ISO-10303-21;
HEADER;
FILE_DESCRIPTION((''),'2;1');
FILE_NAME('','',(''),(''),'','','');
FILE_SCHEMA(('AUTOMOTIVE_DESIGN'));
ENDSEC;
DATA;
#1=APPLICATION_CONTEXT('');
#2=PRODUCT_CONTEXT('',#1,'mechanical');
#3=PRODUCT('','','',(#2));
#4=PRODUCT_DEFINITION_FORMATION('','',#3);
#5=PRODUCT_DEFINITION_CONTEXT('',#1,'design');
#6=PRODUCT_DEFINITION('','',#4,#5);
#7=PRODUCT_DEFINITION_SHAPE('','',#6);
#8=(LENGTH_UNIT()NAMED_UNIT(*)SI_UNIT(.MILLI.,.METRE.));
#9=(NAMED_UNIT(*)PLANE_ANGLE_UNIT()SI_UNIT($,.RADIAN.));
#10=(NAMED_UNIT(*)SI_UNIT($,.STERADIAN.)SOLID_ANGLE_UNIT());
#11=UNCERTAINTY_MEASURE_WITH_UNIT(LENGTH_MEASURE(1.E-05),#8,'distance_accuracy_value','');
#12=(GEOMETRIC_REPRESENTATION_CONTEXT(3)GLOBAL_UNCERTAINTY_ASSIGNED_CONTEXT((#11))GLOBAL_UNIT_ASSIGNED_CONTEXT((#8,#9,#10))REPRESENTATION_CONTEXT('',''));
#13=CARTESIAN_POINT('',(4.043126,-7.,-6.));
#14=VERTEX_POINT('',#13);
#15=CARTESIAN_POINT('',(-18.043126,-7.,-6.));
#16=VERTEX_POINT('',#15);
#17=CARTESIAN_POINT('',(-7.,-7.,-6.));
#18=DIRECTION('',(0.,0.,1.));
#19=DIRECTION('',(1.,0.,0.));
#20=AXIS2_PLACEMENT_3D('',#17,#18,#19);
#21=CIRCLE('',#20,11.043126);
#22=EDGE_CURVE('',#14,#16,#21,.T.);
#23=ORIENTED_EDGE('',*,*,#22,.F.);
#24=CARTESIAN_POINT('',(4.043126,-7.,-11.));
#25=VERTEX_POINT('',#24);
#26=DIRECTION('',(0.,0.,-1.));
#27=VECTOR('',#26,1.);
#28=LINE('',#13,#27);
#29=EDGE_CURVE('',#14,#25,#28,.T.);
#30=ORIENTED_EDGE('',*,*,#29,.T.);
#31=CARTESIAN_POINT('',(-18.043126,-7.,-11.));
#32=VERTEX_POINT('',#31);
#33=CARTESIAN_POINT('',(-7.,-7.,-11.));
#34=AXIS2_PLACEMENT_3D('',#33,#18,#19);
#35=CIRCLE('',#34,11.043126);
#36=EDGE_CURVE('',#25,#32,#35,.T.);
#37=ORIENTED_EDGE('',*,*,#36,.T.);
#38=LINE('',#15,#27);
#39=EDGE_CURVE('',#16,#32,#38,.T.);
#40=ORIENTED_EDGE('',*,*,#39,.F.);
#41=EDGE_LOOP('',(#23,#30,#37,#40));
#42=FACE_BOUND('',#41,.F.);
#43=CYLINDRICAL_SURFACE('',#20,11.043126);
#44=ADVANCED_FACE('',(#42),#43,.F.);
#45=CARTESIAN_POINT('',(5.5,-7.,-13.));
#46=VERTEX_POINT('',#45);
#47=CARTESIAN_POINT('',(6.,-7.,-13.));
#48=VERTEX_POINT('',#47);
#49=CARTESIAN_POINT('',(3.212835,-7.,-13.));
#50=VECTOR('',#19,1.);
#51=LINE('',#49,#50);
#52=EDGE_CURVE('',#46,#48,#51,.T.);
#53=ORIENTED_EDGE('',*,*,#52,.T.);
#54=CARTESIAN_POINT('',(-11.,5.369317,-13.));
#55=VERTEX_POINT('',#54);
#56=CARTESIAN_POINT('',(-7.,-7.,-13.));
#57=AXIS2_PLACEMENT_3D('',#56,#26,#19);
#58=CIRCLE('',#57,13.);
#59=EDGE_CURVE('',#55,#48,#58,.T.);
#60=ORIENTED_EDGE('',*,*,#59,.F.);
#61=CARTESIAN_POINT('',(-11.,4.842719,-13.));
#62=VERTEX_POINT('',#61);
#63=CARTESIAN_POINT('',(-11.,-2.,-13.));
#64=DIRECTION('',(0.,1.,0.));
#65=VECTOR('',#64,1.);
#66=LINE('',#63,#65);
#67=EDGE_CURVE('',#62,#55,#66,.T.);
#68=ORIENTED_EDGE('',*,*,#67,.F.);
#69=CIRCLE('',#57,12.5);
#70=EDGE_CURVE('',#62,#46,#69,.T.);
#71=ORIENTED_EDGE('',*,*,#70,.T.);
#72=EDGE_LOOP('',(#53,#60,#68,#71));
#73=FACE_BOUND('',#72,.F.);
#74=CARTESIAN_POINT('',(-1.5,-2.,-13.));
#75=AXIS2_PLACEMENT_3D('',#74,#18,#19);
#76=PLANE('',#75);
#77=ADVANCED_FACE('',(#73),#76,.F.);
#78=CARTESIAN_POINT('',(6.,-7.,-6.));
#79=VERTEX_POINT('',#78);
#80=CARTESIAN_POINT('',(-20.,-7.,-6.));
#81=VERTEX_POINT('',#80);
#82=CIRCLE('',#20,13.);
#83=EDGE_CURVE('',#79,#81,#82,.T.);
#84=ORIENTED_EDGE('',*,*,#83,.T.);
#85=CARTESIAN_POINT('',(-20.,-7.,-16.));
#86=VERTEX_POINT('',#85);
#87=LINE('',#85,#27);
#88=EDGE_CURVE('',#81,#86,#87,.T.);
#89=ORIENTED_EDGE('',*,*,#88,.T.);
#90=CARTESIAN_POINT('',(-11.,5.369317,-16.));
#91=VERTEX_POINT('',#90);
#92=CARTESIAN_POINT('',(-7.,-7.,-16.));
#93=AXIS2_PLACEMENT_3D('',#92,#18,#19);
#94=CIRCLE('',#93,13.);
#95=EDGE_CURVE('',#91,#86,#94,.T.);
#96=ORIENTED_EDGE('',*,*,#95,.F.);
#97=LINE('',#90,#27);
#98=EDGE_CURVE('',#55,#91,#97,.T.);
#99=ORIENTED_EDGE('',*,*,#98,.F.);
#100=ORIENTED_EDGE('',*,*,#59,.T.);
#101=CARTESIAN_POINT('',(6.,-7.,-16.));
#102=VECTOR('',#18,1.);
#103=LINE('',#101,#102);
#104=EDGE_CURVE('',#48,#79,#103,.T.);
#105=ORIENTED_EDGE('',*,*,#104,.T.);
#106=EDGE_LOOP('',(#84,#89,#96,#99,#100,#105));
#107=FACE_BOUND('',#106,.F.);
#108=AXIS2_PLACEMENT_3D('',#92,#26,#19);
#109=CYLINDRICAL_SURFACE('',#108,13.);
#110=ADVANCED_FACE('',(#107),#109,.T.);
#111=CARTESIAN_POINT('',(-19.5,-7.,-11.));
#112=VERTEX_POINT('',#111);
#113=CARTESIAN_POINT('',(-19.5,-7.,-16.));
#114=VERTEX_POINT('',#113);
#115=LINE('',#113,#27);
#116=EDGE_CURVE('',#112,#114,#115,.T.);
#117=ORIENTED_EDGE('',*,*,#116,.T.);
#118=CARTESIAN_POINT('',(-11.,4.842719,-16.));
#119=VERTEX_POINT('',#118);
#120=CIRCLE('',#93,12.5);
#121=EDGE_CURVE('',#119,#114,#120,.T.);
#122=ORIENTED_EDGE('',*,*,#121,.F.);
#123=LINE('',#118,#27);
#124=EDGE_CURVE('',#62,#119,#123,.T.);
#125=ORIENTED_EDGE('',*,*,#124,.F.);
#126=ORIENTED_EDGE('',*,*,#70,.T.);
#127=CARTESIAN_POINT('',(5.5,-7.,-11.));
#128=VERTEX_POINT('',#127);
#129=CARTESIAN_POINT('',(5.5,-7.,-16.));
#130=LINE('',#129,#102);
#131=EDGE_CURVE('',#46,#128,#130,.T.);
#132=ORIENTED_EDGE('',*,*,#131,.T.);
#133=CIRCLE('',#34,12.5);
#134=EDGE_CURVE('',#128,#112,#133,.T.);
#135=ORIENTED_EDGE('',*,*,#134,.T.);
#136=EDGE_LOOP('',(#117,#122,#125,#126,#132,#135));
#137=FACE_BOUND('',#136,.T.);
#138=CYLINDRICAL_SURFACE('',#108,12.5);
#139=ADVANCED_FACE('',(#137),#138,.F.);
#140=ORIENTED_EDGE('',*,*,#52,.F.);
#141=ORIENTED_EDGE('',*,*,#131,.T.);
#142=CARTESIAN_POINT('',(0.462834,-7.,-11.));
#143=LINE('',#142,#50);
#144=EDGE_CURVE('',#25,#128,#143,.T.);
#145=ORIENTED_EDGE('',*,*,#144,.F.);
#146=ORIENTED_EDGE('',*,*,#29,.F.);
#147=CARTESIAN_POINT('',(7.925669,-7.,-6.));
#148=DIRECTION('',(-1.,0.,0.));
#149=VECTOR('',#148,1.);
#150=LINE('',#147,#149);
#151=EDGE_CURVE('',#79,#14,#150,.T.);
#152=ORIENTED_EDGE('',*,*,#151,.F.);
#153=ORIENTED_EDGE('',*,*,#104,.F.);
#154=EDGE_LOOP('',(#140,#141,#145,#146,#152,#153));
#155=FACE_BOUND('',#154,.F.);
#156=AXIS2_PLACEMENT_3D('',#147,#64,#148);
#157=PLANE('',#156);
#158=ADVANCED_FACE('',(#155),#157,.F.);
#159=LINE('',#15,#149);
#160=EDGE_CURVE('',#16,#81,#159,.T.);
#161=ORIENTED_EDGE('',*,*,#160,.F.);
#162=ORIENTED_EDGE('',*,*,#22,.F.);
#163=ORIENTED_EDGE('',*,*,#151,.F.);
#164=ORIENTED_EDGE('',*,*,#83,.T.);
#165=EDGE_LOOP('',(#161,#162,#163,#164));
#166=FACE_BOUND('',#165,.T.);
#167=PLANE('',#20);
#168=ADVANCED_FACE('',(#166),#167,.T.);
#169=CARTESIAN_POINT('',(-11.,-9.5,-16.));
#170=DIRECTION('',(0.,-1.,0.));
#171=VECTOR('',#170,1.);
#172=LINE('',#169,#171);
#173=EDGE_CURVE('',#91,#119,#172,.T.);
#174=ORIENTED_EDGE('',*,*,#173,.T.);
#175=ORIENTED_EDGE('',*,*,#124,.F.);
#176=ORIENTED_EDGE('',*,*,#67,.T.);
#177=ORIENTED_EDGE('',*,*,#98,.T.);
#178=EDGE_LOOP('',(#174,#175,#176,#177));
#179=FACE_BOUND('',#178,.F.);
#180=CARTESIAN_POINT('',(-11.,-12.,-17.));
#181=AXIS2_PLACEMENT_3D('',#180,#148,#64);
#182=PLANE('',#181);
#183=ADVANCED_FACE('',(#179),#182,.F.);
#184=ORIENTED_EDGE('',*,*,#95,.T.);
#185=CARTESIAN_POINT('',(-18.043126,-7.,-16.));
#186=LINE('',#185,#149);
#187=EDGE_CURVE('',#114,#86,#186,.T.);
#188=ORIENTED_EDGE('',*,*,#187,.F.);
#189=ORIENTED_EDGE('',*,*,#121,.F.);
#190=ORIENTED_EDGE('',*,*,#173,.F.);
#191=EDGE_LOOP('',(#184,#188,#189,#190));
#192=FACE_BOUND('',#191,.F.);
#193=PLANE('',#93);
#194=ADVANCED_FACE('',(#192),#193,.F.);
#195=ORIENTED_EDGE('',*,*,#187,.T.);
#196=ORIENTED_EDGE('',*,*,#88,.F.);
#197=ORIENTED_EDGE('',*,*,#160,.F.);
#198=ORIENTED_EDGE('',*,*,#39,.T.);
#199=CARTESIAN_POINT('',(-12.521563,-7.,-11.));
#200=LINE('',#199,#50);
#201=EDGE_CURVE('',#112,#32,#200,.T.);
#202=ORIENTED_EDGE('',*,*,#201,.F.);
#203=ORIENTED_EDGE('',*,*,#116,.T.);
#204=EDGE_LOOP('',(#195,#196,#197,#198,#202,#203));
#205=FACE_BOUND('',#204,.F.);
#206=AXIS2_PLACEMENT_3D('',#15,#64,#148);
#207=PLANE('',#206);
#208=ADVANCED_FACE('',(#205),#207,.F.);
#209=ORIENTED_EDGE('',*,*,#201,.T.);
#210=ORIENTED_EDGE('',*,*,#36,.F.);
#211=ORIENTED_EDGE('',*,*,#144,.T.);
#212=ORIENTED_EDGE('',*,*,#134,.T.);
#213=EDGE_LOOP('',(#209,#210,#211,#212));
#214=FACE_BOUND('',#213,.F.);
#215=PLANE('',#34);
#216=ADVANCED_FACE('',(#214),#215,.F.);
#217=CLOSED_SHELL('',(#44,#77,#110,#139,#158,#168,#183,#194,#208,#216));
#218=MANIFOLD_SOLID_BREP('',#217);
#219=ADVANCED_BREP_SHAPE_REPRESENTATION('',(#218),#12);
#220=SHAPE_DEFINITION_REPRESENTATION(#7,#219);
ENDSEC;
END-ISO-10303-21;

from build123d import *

# Parameters (mm, degrees)
BOX004_W           = 19
BOX004_H           = 20
BOX004_DEPTH       = 4
CYLINDER002_R      = 12.5
CYLINDER002_DEPTH  = 5
CYLINDER001_R      = 13
CYLINDER001_DEPTH  = 10
POCKET004012_DEPTH = 10


with BuildPart() as box004:
    # Box004 → Box004 (new body)
    with BuildSketch(Plane(origin=(-11, -12, -17), x_dir=(1, 0, 0), z_dir=(0, 0, 1))):
        with Locations((9.5, 10)):
            Rectangle(BOX004_W, BOX004_H)
    extrude(amount=BOX004_DEPTH)


with BuildPart() as cylinder002:
    # Cylinder002 → Cylinder002 (new body)
    with BuildSketch(Plane(origin=(-7, -7, -16), x_dir=(1, 0, 0), z_dir=(0, 0, 1))):
        Circle(CYLINDER002_R)
    extrude(amount=CYLINDER002_DEPTH)


with BuildPart() as cut002:
    # Cylinder001 → Cylinder001 (new body)
    with BuildSketch(Plane(origin=(-7, -7, -16), x_dir=(1, 0, 0), z_dir=(0, 0, 1))):
        Circle(CYLINDER001_R)
    extrude(amount=CYLINDER001_DEPTH)

    # Sketch020 → Pocket004012 (cut)
    with BuildSketch(Plane(origin=(-7, -7, -6), x_dir=(1, 0, 0), z_dir=(0, 0, 1))):
        with BuildLine():
            ThreePointArc((11.043126, 0), (0, 11.043126), (-11.043126, 0))
            Line((-11.043126, 0), (-15.353921, 0))
            Line((-15.353921, 0), (-15.353921, -14.225527))
            Line((-15.353921, -14.225527), (14.925669, -14.225527))
            Line((14.925669, -14.225527), (14.925669, 0))
            Line((14.925669, 0), (11.043126, 0))
        make_face()
    extrude(amount=-POCKET004012_DEPTH, mode=Mode.SUBTRACT)

    # Cut001: cut Cylinder002
    add(cylinder002.part, mode=Mode.SUBTRACT)

    # Cut002: cut Box004
    add(box004.part, mode=Mode.SUBTRACT)


solid = cut002.part
